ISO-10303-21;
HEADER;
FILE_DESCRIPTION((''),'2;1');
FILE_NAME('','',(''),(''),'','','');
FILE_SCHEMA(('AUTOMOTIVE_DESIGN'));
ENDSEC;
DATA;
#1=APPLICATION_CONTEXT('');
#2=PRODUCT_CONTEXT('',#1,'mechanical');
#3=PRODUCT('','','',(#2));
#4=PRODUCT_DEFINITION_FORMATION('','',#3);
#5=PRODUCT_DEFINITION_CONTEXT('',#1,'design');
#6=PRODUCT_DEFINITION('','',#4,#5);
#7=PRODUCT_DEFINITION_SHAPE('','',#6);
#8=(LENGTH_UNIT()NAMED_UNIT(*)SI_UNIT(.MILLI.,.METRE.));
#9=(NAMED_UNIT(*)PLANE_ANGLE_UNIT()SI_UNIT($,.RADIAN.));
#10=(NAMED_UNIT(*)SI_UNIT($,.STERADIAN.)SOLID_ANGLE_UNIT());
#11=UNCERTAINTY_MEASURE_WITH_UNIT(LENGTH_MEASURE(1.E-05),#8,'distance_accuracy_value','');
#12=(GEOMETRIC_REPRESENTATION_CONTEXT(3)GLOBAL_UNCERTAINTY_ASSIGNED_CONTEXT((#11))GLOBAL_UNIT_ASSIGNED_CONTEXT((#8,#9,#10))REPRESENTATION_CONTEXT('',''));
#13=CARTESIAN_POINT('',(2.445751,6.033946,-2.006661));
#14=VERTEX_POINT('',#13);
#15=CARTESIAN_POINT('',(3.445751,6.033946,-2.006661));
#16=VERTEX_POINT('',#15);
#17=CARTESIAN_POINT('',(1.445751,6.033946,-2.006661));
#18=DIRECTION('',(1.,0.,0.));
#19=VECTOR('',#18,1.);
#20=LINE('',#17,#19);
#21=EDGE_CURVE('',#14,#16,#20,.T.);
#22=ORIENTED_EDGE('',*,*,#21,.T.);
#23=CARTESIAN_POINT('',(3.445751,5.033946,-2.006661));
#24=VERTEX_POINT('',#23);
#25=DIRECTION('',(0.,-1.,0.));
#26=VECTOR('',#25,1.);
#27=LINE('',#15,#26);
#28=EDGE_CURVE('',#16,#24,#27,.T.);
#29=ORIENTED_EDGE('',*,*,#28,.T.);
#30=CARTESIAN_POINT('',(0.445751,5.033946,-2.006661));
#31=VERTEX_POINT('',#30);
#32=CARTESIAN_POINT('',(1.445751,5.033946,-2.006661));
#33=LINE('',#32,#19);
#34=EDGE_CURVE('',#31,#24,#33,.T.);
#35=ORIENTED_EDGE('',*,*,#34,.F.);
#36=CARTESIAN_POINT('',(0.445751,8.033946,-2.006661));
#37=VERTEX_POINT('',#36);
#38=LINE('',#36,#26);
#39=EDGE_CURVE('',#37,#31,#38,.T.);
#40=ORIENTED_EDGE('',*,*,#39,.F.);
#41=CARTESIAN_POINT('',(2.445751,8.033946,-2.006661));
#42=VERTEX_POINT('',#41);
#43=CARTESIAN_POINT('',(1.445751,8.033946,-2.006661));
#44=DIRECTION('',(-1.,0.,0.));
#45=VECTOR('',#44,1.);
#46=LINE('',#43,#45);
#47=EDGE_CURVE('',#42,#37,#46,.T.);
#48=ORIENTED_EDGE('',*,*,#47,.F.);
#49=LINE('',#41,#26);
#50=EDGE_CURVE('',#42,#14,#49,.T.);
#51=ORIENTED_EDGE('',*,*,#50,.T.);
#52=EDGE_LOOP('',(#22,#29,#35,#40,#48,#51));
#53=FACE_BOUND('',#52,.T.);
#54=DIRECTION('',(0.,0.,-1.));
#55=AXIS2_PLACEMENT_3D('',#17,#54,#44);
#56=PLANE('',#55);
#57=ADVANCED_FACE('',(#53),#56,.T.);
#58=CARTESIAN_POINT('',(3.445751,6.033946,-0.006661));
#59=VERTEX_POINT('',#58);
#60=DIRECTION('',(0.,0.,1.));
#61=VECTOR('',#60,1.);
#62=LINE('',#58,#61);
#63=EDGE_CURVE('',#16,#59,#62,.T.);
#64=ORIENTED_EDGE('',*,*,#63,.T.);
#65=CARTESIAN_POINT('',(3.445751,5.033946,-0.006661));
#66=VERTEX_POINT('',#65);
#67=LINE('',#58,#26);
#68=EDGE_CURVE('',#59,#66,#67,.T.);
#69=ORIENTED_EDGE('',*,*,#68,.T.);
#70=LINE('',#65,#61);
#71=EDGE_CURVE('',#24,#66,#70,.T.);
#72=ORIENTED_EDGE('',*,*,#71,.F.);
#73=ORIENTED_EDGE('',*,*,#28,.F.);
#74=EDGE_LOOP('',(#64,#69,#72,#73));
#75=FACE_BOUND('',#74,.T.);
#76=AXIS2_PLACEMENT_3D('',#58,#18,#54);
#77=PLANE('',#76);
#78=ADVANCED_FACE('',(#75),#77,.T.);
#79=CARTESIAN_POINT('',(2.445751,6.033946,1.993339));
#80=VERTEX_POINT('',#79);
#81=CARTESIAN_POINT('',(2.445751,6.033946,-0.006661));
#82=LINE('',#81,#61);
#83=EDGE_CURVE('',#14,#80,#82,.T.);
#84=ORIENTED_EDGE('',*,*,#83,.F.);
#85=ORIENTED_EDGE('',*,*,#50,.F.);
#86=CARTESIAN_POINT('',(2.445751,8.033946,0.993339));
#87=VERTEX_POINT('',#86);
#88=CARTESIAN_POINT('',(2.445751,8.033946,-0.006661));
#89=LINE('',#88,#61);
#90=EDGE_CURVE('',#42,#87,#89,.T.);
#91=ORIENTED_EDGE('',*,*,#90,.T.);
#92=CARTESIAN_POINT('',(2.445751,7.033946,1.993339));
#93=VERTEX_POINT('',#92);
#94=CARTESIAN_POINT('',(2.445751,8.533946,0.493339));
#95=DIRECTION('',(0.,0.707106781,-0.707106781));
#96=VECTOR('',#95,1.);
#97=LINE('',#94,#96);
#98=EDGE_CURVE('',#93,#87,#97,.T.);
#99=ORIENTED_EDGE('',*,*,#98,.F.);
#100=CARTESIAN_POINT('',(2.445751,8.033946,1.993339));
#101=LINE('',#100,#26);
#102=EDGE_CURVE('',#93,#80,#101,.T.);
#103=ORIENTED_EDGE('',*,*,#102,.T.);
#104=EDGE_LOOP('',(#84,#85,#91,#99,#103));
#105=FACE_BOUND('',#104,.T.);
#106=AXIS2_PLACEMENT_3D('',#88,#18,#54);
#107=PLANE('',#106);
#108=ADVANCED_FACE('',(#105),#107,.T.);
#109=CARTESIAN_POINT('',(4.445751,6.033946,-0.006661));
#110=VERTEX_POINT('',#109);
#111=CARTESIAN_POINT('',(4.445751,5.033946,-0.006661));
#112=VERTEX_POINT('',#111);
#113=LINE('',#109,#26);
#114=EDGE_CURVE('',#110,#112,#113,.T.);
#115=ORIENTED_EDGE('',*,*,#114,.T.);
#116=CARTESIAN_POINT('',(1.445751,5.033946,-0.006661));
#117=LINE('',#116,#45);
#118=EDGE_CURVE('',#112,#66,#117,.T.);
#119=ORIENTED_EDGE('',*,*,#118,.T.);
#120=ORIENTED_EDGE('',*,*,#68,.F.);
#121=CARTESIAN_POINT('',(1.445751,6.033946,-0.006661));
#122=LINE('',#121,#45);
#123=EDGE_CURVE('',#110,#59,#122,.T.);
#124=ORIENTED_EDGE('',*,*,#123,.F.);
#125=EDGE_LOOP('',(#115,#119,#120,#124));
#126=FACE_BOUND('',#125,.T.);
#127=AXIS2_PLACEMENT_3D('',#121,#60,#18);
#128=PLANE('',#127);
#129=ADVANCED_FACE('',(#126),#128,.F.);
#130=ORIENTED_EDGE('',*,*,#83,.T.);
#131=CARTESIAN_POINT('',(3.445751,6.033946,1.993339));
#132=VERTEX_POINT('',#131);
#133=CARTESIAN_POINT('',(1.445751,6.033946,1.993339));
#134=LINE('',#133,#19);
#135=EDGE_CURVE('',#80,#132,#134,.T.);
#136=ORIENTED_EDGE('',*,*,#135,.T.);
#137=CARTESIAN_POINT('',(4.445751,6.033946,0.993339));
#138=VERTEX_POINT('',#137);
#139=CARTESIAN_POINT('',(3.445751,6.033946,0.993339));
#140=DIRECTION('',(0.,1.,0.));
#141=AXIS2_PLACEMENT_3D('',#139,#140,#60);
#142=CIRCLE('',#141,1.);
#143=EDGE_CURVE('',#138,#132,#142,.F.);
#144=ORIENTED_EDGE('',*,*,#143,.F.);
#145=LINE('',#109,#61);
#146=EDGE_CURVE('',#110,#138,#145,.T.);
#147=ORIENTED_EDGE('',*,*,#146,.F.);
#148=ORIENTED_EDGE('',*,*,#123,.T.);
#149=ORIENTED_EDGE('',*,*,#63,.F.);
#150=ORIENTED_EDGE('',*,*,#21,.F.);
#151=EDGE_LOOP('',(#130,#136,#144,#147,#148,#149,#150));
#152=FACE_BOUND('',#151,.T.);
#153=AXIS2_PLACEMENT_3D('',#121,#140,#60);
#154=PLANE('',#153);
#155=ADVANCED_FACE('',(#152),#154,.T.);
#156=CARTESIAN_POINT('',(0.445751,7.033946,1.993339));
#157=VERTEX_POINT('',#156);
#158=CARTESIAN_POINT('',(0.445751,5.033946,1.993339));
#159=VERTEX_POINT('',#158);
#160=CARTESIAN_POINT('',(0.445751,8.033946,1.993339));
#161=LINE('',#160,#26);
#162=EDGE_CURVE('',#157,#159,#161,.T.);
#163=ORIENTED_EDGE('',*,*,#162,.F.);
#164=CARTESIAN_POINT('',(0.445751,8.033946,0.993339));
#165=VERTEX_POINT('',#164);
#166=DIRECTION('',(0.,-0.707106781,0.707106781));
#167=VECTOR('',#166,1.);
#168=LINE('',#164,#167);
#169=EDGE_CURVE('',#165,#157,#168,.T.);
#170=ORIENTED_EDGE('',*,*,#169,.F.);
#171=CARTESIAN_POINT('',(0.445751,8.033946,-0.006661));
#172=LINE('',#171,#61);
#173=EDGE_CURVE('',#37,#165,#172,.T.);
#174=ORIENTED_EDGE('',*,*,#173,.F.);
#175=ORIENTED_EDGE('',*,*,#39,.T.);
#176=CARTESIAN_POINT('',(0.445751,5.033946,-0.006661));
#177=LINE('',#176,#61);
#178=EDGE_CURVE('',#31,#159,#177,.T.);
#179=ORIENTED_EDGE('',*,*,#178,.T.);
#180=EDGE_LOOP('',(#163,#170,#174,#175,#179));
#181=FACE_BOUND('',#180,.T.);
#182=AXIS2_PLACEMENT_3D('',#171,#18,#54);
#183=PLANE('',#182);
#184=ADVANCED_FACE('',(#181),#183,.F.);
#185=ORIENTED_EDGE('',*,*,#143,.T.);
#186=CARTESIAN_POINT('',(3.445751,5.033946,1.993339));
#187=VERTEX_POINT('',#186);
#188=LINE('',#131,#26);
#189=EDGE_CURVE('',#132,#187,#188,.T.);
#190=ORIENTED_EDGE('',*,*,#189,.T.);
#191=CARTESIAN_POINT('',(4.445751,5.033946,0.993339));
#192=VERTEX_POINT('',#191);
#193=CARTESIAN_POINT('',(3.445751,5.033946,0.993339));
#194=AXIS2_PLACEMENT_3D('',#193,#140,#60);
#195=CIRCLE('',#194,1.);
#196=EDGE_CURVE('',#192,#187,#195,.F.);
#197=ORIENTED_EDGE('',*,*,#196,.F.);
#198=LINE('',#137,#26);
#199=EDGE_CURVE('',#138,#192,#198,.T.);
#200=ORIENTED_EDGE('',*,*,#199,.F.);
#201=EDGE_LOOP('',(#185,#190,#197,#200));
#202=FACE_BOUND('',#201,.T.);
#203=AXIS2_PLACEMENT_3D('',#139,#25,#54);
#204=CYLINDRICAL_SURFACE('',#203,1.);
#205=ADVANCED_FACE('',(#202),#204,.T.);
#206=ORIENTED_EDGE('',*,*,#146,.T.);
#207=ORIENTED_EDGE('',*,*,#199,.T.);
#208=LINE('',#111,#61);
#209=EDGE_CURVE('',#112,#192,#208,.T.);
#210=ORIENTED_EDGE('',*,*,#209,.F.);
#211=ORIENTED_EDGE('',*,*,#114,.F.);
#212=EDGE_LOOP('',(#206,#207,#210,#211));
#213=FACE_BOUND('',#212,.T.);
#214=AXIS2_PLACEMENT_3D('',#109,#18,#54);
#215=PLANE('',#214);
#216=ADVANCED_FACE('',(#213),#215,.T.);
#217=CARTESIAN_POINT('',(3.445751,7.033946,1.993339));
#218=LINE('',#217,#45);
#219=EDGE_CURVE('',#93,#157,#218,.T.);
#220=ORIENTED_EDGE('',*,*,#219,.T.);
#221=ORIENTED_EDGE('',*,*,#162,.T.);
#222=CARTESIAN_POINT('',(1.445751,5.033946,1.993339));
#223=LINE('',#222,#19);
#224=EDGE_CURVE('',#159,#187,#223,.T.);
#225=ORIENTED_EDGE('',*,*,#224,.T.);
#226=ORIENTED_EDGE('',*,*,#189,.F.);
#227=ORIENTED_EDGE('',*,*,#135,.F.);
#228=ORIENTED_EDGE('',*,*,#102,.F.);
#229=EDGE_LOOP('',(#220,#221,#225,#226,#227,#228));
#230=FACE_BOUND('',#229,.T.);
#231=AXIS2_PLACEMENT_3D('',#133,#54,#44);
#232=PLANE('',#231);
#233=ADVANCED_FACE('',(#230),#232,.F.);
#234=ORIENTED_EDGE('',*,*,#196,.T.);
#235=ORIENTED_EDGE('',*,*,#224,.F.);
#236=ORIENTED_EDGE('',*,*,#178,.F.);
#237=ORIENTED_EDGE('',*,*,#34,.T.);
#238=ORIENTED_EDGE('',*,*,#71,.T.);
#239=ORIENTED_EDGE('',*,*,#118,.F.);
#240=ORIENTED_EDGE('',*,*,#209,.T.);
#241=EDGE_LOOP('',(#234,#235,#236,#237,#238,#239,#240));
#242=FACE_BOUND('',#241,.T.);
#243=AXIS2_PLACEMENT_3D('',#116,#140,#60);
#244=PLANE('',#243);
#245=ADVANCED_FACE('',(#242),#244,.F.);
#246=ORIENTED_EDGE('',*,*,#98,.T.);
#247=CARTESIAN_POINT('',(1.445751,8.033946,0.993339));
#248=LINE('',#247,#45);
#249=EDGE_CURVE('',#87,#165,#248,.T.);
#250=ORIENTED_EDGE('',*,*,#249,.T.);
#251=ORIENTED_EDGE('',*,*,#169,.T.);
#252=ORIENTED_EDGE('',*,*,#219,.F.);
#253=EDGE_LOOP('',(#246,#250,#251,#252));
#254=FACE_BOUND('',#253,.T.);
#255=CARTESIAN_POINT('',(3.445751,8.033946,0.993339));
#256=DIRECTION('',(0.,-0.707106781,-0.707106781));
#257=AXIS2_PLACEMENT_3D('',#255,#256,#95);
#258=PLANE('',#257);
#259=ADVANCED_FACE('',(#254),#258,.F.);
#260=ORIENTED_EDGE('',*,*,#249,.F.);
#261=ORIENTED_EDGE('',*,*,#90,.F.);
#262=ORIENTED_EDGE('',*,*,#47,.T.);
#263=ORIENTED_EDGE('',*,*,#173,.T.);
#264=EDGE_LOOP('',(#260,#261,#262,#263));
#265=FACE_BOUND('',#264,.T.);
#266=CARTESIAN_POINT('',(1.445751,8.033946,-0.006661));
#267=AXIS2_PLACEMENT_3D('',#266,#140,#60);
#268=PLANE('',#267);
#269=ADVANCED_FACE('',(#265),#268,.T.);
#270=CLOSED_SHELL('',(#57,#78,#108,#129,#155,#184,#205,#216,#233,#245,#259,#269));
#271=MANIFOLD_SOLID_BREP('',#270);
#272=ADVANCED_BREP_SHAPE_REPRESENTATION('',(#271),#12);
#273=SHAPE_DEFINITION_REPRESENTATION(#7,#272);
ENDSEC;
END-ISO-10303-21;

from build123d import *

# Parameters (mm, degrees)
EXTRUDE_1_DEPTH     = 5
SKETCH_1_3_W        = 10
SKETCH_1_3_H        = 20
EXTRUDE_2_DEPTH     = 15
CUT_EXTRUDE_1_DEPTH = 15
SCALE_1_SCALE       = 0.2


with BuildPart() as part:
    # 草圖1 → 填料-伸長1 (new body)
    with BuildSketch(Plane(origin=(0, 0, 0), x_dir=(1, 0, 0), z_dir=(0, 1, 0))):
        with BuildLine():
            Line((10, 10), (5, 10))
            Line((5, 10), (5, -5))
            Line((5, -5), (5, -10))
            Line((5, -10), (10, -10))
            ThreePointArc((10, -10), (13.535533906, -8.535533906), (15, -5))
            Line((15, -5), (15, 0))
            Line((15, 0), (10, 0))
            Line((10, 0), (10, 10))
        make_face()
    extrude(amount=EXTRUDE_1_DEPTH)

    # 草圖1<3> → 填料-伸長2 (add)
    with BuildSketch(Plane(origin=(0, 0, 0), x_dir=(1, 0, 0), z_dir=(0, 1, 0))):
        Rectangle(SKETCH_1_3_W, SKETCH_1_3_H)
    extrude(amount=EXTRUDE_2_DEPTH)

    # 草圖2 → 除料-伸長1 (cut)
    with BuildSketch(Plane.ZY.offset(5)):
        Polygon((5, 15), (10, 10), (10, 15), align=None)
    extrude(amount=-CUT_EXTRUDE_1_DEPTH, mode=Mode.SUBTRACT)


with BuildPart() as part_1:
    # 縮放比例1: scaled about (1.80718877, 6.292432053, -0.0083263)
    add(part.part.scale(SCALE_1_SCALE).moved(Location((1.445751016, 5.033945642, -0.00666104))))


solid = part_1.part
